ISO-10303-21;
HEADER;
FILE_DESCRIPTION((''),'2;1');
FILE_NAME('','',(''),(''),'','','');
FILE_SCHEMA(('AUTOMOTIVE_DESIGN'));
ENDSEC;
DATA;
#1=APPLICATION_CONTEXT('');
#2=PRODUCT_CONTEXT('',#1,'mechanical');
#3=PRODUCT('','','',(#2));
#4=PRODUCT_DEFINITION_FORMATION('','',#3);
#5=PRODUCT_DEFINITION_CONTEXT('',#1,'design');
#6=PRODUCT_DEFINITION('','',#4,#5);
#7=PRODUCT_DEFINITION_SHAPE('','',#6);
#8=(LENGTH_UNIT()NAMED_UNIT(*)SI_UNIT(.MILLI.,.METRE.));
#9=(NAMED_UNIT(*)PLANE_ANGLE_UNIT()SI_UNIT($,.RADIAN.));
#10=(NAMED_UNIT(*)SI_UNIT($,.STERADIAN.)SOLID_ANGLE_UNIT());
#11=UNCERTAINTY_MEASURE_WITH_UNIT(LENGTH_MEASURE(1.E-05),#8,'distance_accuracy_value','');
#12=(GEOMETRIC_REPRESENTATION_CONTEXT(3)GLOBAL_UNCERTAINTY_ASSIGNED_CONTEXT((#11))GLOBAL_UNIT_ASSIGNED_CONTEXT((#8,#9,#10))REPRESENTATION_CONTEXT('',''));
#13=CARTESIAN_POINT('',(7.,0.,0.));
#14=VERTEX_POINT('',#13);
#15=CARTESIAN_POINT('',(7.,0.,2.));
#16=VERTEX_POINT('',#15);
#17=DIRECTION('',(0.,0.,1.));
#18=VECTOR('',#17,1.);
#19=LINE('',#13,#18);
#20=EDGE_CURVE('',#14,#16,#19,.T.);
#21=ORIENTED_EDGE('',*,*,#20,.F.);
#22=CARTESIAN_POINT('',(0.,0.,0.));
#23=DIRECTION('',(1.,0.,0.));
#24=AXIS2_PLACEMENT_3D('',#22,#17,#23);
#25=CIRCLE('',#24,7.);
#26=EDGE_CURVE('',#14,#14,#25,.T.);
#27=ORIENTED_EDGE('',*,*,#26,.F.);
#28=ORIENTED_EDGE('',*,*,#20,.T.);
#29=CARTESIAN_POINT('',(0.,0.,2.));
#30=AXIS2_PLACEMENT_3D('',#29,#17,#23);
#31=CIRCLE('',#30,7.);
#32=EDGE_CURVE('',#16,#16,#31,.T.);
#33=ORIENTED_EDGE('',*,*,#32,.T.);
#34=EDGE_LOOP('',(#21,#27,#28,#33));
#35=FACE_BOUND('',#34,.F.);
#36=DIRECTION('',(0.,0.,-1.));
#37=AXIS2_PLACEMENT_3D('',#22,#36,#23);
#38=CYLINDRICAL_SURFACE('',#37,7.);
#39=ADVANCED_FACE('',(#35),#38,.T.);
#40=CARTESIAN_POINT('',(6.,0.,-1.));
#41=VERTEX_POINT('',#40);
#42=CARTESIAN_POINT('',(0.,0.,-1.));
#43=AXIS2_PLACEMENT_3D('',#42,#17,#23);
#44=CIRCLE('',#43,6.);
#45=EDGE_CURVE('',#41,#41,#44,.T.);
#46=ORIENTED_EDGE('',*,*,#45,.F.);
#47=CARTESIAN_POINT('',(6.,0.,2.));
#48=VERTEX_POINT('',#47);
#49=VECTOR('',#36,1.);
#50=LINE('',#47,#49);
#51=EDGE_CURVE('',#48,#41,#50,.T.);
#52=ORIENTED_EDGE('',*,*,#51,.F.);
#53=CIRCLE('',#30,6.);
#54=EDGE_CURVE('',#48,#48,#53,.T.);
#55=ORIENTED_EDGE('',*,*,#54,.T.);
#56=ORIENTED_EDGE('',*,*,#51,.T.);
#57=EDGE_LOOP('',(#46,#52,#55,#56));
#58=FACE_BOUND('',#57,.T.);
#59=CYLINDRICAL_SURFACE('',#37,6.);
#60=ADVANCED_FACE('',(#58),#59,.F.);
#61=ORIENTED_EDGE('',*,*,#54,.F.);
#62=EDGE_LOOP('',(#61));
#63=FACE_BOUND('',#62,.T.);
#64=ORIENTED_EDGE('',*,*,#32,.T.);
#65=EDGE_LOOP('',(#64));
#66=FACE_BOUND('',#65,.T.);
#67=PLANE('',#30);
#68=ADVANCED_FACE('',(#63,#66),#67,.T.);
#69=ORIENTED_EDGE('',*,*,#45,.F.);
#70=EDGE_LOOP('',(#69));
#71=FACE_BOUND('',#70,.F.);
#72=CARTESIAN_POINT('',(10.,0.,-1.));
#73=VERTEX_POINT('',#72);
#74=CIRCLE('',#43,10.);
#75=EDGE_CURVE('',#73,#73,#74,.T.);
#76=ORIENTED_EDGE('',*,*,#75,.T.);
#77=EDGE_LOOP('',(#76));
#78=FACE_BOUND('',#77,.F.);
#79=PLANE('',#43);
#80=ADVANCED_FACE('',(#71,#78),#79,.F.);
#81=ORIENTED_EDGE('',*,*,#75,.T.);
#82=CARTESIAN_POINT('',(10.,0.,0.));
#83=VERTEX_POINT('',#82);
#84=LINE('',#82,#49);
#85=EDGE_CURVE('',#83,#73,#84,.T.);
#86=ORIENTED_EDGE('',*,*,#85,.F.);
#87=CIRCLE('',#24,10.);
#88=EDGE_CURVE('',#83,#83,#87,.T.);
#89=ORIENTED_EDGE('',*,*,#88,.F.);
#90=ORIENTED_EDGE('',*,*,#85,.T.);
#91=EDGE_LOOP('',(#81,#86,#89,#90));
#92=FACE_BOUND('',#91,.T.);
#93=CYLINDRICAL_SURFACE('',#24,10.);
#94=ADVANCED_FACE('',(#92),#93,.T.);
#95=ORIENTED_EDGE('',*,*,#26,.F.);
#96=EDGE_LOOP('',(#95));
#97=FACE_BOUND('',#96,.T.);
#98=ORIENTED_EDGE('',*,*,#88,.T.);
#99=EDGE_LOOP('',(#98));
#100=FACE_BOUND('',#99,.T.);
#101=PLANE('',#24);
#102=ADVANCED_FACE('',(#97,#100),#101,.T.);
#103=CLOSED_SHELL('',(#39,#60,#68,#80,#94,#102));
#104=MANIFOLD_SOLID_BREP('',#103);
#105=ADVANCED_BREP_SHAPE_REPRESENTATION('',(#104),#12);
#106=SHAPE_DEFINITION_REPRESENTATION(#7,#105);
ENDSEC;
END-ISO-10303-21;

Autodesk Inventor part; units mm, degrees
ref_plane "YZ Plane" through (0, 0, 0) normal (1, 0, 0) x (0, 1, 0)
ref_plane "XZ Plane" through (0, 0, 0) normal (0, 1, 0) x (-1, 0, 0)
ref_plane "XY Plane" through (0, 0, 0) normal (0, 0, 1) x (1, 0, 0)
sketch "スケッチ1" plane through (0, 0, 0) normal (0, 0, 1) x (1, 0, 0)
  circle A0 centre (0, 0) radius 6
  circle A1 centre (0, 0) radius 7
  circle A2 centre (0, 0) radius 10
  dimension "d0" = 12
  dimension "d1" = 14
  dimension "d2" = 20
extrude "押し出し1" add sketch "スケッチ1" along normal blind 2 contours A1
extrude "押し出し2" add sketch "スケッチ1" against normal blind 1 contours A1 | A2
properties part number "ドライメット　内径12 フランジ付き2mm" material "鋼"
